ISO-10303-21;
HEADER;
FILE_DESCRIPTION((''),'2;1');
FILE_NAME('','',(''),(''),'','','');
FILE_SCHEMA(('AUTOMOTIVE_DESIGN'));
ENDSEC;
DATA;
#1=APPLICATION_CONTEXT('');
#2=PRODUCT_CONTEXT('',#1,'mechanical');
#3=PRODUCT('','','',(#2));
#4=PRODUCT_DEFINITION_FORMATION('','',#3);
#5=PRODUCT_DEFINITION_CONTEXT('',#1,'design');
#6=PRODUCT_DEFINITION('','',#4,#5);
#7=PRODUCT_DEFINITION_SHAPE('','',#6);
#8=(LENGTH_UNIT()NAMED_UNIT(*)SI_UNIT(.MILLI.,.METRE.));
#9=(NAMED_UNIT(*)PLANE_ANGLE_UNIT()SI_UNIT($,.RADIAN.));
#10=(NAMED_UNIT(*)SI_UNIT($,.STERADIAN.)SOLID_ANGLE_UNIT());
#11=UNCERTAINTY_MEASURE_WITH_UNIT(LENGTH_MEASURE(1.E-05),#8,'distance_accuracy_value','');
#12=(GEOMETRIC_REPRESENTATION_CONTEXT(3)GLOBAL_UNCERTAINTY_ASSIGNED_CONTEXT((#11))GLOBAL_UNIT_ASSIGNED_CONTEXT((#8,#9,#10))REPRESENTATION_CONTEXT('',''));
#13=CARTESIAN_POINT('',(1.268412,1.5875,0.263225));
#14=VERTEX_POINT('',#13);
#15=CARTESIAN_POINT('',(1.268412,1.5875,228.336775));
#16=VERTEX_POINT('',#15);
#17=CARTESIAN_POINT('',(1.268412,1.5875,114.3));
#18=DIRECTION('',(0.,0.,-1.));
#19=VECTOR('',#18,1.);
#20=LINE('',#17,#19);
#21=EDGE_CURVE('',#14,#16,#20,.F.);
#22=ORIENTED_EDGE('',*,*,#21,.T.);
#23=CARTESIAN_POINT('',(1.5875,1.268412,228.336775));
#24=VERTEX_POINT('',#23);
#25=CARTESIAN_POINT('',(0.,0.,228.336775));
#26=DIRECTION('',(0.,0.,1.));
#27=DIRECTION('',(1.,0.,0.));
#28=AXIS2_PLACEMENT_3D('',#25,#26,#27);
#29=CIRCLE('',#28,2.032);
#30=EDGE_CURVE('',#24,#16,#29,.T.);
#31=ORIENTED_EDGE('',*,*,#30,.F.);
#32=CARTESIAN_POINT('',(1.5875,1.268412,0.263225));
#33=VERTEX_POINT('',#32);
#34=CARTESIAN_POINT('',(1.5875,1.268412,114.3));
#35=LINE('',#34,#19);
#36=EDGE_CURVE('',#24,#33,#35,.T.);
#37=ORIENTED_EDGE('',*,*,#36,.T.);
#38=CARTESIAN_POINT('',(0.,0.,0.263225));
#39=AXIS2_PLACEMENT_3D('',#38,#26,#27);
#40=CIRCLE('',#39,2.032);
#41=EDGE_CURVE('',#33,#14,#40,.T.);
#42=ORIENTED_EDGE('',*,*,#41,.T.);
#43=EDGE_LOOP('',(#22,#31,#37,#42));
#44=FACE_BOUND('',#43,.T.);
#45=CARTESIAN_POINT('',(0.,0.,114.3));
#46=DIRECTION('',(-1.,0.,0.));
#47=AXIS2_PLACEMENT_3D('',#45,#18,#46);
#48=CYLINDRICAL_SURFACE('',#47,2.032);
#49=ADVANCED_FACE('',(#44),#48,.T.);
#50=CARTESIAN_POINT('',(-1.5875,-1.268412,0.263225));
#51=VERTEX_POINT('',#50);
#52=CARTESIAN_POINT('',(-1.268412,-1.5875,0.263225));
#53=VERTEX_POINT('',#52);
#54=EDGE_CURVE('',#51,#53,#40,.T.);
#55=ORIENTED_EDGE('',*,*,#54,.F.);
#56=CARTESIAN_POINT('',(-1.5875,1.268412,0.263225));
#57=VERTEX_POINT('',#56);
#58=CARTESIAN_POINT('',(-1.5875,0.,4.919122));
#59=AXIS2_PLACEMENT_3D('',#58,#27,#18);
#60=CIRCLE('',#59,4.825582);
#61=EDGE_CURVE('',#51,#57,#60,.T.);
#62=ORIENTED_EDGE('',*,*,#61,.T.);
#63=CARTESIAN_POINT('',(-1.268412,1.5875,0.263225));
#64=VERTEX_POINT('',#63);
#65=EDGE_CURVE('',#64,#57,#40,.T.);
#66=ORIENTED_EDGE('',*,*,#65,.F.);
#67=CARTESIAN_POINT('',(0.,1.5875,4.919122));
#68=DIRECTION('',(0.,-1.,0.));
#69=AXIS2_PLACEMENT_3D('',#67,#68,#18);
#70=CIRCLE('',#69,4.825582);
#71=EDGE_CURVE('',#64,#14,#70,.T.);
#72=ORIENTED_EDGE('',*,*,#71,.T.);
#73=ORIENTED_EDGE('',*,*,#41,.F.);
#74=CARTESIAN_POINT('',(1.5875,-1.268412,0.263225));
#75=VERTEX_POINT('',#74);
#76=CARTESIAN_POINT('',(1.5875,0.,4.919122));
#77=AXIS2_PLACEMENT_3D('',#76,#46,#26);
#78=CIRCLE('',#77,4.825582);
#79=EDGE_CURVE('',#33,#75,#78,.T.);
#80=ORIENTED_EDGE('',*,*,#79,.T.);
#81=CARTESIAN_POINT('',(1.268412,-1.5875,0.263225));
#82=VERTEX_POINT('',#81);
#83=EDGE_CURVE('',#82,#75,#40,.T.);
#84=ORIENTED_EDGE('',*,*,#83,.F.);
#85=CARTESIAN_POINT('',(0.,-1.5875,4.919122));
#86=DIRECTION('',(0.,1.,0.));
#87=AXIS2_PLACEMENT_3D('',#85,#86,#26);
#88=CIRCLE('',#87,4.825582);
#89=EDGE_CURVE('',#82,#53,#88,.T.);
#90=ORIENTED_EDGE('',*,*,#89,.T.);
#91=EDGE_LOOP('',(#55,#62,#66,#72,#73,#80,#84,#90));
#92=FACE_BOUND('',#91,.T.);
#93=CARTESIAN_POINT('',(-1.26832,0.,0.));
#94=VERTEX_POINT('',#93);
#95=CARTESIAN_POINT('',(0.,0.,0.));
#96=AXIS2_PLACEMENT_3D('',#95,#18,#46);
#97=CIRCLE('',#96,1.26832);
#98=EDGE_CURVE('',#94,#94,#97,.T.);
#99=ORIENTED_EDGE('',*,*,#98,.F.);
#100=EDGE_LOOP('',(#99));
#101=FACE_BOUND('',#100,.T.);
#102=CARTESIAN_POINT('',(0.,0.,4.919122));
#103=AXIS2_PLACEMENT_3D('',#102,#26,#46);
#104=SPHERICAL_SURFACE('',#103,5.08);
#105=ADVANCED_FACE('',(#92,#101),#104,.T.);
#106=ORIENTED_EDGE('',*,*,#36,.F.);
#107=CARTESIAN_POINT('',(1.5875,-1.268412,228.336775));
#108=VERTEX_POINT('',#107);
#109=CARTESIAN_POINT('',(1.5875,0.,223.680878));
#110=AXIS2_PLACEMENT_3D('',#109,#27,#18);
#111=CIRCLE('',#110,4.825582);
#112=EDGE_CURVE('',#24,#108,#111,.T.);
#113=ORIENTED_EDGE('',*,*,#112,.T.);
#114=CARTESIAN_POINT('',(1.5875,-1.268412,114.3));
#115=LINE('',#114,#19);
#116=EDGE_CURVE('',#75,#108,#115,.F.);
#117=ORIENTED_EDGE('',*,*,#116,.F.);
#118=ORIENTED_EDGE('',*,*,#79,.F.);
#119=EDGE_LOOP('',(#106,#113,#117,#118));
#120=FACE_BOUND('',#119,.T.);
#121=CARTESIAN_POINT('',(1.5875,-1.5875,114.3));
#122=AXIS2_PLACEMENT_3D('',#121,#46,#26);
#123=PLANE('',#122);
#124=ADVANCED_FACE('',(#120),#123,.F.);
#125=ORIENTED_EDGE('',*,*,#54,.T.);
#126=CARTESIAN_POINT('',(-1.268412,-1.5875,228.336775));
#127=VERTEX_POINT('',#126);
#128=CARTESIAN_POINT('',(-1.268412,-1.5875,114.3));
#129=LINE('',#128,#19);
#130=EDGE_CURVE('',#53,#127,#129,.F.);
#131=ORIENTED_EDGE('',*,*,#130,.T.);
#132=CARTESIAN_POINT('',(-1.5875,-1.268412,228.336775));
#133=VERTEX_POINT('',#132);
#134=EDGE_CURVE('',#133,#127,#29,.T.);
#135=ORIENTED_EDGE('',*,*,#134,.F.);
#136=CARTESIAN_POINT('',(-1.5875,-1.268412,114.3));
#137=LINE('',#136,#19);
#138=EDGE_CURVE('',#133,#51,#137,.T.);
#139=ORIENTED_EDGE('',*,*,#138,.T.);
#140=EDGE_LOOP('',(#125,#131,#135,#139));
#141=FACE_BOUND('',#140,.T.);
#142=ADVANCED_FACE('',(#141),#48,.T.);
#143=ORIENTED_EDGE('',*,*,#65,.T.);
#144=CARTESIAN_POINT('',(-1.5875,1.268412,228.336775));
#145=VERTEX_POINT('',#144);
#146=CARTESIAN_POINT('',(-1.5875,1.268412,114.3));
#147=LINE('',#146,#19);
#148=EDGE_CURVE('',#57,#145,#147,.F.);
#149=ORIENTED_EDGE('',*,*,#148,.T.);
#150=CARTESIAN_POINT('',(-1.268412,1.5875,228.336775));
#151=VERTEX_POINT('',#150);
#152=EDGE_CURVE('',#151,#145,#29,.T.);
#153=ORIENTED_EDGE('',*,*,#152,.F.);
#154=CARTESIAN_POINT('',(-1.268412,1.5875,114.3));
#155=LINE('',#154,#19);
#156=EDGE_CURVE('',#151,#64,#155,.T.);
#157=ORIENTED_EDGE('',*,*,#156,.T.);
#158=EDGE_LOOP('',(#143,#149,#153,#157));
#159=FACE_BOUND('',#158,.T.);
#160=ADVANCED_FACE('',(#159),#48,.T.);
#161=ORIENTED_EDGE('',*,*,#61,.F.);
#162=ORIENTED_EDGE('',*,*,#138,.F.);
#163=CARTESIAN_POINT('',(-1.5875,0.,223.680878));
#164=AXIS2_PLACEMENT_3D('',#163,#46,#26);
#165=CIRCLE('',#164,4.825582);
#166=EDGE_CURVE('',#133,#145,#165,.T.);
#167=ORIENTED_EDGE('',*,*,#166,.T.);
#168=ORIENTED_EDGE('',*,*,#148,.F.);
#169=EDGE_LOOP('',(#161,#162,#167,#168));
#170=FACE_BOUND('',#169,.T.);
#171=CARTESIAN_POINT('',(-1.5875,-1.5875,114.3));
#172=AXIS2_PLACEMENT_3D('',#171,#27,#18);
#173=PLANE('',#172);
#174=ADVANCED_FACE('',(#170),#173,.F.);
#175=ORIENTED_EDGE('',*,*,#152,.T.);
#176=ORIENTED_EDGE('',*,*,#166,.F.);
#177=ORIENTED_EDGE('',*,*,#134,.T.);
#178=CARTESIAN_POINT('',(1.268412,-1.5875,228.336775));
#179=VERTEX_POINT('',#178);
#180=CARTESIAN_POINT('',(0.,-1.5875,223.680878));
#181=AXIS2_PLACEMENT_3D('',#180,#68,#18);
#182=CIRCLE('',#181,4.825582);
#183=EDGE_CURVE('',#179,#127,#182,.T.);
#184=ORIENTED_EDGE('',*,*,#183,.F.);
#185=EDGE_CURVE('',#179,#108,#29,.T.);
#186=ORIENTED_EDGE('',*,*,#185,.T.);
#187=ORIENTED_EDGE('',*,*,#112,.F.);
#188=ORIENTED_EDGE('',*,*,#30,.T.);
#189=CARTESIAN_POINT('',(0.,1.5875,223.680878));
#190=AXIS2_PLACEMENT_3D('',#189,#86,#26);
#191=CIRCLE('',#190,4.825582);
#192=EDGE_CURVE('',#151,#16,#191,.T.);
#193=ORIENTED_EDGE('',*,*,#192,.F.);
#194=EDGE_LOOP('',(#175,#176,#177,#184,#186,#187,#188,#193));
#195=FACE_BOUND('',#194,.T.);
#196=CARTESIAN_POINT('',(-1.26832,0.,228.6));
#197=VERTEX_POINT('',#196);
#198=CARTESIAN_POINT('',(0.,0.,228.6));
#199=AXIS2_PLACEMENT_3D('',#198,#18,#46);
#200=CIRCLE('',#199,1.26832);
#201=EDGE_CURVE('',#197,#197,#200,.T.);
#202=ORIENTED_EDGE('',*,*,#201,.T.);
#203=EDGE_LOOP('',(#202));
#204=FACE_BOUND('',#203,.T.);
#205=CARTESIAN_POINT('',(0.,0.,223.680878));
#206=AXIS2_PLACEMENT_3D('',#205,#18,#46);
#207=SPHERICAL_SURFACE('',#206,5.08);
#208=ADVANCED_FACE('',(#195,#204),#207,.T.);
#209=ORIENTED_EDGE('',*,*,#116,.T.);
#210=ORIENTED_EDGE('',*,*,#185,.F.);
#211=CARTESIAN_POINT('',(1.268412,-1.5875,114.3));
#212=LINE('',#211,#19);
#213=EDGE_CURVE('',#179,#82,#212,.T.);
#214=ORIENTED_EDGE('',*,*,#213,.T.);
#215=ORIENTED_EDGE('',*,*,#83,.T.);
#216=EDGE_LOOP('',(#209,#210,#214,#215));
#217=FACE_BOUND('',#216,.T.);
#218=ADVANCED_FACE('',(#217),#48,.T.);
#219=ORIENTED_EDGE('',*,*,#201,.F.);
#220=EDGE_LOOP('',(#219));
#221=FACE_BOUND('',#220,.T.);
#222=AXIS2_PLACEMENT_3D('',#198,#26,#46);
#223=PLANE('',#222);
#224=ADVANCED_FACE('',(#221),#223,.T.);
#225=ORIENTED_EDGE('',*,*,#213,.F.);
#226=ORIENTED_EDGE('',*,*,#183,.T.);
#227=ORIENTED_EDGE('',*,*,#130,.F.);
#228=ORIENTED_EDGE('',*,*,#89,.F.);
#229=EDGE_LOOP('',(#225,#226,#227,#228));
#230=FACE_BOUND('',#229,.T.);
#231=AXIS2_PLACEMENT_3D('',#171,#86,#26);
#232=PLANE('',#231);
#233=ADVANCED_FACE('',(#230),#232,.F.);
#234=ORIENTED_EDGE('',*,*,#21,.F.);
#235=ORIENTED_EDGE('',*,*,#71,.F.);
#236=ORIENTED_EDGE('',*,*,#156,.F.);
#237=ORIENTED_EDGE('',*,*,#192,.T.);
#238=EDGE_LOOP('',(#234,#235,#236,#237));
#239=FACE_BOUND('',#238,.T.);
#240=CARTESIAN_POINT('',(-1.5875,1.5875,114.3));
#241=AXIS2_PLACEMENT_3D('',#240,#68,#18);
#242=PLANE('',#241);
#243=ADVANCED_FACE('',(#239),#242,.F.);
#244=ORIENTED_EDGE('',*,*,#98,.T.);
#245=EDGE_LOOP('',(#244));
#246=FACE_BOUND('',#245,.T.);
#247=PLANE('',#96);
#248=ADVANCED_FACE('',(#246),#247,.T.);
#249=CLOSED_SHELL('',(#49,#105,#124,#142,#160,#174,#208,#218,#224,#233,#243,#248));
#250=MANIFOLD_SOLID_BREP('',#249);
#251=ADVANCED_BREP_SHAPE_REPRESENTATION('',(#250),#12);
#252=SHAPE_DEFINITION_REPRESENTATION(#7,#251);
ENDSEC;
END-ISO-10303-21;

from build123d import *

# Parameters (mm, degrees)
SKETCH1_W           = 3.175
SKETCH1_H           = 3.175
BOSS_EXTRUDE1_DEPTH = 114.3
SKETCH2_OUTSIDE_W   = 28.054
SKETCH2_OUTSIDE_H   = 28.054
SKETCH2_OUTSIDE_R   = 2.032
CUT_EXTRUDE1_DEPTH  = 115.3


with BuildPart() as part:
    # Sketch1 → Boss-Extrude1 (new body)
    with BuildSketch(Plane.XY):
        Rectangle(SKETCH1_W, SKETCH1_H)
    extrude(amount=BOSS_EXTRUDE1_DEPTH)

    # Sketch2 outside → Cut-Extrude1 (cut, through all)
    with BuildSketch(Plane(origin=(0, 0, 0), x_dir=(-1, 0, 0), z_dir=(0, 0, -1))):
        Rectangle(SKETCH2_OUTSIDE_W, SKETCH2_OUTSIDE_H)
        Circle(SKETCH2_OUTSIDE_R, mode=Mode.SUBTRACT)
    extrude(amount=-CUT_EXTRUDE1_DEPTH, mode=Mode.SUBTRACT)

    # Sketch3 → Cut-Revolve1 (revolve, cut)
    with BuildSketch(Plane(origin=(0, 0, 0), x_dir=(1, 0, 0), z_dir=(0, 1, 0))):
        with BuildLine():
            Line((-5.053685963, -4.40273269), (-5.053685963, 5.740530545))
            Line((-5.053685963, 5.740530545), (0, 5.740530545))
            Line((0, 5.740530545), (0, 0.160877736))
            ThreePointArc((0, 0.160877736), (-3.404639553, -1.148866368), (-5.053685963, -4.40273269))
        make_face()
    revolve(axis=Axis((0, 0, 114.3), (0, 0, -1)), mode=Mode.SUBTRACT)

    # Mirror1: part across plane


with BuildPart() as part_1:
    add(part.part)
    add(part.part.mirror(Plane(origin=(0, 0, 114.3), x_dir=(1, 0, 0), z_dir=(0, 0, -1))))


solid = part_1.part
